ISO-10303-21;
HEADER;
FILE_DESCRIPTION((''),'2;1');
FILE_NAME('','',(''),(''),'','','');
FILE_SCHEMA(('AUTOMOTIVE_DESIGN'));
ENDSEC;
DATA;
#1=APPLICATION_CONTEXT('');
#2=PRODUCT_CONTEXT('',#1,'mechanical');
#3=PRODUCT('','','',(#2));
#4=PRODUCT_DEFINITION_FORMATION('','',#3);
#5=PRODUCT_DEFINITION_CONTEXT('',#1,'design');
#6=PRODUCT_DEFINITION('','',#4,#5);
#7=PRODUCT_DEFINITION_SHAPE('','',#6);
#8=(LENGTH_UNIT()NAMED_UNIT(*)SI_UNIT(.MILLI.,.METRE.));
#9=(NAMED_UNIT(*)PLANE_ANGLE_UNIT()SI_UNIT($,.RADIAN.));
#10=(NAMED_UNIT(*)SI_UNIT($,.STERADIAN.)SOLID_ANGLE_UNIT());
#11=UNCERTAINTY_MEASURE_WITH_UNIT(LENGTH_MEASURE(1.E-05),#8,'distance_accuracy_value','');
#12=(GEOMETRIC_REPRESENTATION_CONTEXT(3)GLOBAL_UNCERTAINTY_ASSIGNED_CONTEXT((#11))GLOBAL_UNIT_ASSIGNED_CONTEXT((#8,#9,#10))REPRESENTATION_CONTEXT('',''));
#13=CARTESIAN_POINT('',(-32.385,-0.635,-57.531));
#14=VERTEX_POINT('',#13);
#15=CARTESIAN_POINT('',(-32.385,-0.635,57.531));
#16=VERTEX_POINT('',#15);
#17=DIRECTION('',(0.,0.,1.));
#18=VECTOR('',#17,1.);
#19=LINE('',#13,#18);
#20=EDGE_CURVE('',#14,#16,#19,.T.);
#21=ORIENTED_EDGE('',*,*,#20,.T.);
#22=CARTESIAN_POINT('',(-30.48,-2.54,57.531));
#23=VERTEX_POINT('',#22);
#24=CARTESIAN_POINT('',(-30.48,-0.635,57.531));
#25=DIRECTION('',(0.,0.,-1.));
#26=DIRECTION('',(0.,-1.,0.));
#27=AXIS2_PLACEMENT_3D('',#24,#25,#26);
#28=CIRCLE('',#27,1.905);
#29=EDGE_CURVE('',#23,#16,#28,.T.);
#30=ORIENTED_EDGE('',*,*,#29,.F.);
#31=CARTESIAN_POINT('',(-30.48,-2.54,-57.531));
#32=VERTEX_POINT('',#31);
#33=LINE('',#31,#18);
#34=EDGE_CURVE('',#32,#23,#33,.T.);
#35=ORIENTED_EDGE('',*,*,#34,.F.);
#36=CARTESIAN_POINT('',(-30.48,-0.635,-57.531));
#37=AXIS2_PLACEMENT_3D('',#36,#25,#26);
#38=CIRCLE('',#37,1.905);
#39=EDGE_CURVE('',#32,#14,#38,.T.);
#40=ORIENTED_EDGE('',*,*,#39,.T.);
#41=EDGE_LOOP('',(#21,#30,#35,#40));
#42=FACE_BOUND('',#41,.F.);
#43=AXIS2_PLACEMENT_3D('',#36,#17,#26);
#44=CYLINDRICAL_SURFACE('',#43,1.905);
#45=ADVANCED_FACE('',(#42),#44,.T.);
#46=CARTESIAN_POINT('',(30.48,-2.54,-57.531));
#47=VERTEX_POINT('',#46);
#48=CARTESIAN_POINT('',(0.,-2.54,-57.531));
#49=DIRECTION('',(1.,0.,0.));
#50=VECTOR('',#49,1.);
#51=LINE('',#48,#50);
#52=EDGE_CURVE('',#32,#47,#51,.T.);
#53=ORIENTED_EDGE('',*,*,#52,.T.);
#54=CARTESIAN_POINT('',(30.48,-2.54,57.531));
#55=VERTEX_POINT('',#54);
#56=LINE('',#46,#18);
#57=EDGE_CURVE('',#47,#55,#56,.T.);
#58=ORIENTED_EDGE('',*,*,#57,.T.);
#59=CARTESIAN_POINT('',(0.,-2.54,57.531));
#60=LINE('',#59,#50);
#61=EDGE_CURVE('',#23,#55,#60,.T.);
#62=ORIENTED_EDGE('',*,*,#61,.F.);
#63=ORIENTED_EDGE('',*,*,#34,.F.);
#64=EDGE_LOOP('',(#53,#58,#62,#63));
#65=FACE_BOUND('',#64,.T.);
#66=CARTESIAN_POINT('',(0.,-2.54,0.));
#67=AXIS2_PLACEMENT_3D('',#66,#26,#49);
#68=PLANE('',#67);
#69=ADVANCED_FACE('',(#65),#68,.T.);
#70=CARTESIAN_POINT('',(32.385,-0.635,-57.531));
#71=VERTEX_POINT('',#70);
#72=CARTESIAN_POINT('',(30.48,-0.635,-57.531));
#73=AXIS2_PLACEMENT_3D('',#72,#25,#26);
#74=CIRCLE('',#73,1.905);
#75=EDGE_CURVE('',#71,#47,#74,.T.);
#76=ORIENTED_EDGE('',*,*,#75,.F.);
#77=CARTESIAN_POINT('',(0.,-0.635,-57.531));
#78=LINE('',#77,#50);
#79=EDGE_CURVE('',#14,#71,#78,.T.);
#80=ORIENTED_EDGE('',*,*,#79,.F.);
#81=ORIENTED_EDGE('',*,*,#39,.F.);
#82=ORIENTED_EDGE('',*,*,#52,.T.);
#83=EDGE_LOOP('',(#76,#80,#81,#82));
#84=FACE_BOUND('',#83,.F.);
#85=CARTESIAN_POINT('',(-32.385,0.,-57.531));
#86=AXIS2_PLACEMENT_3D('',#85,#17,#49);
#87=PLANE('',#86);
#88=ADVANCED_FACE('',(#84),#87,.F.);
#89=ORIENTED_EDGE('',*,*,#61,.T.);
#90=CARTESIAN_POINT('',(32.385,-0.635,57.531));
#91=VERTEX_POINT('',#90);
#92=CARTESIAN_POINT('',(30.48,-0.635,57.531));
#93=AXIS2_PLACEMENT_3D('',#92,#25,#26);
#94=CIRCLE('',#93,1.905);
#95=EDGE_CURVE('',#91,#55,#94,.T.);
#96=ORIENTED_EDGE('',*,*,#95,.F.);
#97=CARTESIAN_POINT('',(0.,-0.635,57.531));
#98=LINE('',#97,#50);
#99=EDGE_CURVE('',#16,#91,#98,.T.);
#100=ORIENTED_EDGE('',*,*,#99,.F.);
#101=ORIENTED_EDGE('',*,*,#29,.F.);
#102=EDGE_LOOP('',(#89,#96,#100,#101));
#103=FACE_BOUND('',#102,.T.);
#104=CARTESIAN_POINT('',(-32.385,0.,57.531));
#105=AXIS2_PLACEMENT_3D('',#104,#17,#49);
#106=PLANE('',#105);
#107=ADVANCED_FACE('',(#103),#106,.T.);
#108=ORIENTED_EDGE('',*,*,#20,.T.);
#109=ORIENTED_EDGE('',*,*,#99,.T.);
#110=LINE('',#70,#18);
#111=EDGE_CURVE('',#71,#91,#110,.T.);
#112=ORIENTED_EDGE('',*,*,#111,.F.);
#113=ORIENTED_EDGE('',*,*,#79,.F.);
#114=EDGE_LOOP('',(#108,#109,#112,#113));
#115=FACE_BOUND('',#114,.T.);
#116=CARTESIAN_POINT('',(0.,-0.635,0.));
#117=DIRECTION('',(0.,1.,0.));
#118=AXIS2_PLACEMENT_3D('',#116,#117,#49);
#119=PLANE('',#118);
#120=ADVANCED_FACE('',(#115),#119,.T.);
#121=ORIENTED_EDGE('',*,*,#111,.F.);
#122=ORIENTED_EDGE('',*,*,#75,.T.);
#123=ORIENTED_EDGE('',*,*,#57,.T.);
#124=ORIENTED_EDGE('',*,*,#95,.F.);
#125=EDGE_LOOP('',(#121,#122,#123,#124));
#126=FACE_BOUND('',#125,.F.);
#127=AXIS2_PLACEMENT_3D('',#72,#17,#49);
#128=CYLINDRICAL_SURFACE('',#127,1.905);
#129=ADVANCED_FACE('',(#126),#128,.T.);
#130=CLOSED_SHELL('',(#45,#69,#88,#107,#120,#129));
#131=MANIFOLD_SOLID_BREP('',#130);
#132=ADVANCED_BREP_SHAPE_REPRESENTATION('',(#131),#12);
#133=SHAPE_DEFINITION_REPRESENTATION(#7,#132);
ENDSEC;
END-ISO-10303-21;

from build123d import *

# Parameters (mm, degrees)
F0_W      = 64.77
F0_H      = 115.062
F1_DEPTH  = 2.54
F2_R      = 1.905
F3_R      = 1.905
F1_FACE_W = 64.77
F1_FACE_H = 115.062
F4_DEPTH  = 0.635


with BuildPart() as f1:
    # F0 (on Front) → F1 (new body)
    with BuildSketch(Plane.XZ):
        Rectangle(F0_W, F0_H)
    extrude(amount=F1_DEPTH)

    # F2
    f2_edges = [f1.edges().sort_by_distance(p)[0] for p in [
        (32.385, -2.54, 0),
    ]]
    fillet(f2_edges, radius=F2_R)

    # F3
    f3_edges = [f1.edges().sort_by_distance(p)[0] for p in [
        (-32.385, -2.54, 0),
    ]]
    fillet(f3_edges, radius=F3_R)

    # F1_face (on face) → F4 (cut)
    with BuildSketch(Plane(origin=(0, 0, 0), x_dir=(1, 0, 0), z_dir=(0, 1, 0))):
        Rectangle(F1_FACE_W, F1_FACE_H)
    extrude(amount=-F4_DEPTH, mode=Mode.SUBTRACT)


solid = f1.part
